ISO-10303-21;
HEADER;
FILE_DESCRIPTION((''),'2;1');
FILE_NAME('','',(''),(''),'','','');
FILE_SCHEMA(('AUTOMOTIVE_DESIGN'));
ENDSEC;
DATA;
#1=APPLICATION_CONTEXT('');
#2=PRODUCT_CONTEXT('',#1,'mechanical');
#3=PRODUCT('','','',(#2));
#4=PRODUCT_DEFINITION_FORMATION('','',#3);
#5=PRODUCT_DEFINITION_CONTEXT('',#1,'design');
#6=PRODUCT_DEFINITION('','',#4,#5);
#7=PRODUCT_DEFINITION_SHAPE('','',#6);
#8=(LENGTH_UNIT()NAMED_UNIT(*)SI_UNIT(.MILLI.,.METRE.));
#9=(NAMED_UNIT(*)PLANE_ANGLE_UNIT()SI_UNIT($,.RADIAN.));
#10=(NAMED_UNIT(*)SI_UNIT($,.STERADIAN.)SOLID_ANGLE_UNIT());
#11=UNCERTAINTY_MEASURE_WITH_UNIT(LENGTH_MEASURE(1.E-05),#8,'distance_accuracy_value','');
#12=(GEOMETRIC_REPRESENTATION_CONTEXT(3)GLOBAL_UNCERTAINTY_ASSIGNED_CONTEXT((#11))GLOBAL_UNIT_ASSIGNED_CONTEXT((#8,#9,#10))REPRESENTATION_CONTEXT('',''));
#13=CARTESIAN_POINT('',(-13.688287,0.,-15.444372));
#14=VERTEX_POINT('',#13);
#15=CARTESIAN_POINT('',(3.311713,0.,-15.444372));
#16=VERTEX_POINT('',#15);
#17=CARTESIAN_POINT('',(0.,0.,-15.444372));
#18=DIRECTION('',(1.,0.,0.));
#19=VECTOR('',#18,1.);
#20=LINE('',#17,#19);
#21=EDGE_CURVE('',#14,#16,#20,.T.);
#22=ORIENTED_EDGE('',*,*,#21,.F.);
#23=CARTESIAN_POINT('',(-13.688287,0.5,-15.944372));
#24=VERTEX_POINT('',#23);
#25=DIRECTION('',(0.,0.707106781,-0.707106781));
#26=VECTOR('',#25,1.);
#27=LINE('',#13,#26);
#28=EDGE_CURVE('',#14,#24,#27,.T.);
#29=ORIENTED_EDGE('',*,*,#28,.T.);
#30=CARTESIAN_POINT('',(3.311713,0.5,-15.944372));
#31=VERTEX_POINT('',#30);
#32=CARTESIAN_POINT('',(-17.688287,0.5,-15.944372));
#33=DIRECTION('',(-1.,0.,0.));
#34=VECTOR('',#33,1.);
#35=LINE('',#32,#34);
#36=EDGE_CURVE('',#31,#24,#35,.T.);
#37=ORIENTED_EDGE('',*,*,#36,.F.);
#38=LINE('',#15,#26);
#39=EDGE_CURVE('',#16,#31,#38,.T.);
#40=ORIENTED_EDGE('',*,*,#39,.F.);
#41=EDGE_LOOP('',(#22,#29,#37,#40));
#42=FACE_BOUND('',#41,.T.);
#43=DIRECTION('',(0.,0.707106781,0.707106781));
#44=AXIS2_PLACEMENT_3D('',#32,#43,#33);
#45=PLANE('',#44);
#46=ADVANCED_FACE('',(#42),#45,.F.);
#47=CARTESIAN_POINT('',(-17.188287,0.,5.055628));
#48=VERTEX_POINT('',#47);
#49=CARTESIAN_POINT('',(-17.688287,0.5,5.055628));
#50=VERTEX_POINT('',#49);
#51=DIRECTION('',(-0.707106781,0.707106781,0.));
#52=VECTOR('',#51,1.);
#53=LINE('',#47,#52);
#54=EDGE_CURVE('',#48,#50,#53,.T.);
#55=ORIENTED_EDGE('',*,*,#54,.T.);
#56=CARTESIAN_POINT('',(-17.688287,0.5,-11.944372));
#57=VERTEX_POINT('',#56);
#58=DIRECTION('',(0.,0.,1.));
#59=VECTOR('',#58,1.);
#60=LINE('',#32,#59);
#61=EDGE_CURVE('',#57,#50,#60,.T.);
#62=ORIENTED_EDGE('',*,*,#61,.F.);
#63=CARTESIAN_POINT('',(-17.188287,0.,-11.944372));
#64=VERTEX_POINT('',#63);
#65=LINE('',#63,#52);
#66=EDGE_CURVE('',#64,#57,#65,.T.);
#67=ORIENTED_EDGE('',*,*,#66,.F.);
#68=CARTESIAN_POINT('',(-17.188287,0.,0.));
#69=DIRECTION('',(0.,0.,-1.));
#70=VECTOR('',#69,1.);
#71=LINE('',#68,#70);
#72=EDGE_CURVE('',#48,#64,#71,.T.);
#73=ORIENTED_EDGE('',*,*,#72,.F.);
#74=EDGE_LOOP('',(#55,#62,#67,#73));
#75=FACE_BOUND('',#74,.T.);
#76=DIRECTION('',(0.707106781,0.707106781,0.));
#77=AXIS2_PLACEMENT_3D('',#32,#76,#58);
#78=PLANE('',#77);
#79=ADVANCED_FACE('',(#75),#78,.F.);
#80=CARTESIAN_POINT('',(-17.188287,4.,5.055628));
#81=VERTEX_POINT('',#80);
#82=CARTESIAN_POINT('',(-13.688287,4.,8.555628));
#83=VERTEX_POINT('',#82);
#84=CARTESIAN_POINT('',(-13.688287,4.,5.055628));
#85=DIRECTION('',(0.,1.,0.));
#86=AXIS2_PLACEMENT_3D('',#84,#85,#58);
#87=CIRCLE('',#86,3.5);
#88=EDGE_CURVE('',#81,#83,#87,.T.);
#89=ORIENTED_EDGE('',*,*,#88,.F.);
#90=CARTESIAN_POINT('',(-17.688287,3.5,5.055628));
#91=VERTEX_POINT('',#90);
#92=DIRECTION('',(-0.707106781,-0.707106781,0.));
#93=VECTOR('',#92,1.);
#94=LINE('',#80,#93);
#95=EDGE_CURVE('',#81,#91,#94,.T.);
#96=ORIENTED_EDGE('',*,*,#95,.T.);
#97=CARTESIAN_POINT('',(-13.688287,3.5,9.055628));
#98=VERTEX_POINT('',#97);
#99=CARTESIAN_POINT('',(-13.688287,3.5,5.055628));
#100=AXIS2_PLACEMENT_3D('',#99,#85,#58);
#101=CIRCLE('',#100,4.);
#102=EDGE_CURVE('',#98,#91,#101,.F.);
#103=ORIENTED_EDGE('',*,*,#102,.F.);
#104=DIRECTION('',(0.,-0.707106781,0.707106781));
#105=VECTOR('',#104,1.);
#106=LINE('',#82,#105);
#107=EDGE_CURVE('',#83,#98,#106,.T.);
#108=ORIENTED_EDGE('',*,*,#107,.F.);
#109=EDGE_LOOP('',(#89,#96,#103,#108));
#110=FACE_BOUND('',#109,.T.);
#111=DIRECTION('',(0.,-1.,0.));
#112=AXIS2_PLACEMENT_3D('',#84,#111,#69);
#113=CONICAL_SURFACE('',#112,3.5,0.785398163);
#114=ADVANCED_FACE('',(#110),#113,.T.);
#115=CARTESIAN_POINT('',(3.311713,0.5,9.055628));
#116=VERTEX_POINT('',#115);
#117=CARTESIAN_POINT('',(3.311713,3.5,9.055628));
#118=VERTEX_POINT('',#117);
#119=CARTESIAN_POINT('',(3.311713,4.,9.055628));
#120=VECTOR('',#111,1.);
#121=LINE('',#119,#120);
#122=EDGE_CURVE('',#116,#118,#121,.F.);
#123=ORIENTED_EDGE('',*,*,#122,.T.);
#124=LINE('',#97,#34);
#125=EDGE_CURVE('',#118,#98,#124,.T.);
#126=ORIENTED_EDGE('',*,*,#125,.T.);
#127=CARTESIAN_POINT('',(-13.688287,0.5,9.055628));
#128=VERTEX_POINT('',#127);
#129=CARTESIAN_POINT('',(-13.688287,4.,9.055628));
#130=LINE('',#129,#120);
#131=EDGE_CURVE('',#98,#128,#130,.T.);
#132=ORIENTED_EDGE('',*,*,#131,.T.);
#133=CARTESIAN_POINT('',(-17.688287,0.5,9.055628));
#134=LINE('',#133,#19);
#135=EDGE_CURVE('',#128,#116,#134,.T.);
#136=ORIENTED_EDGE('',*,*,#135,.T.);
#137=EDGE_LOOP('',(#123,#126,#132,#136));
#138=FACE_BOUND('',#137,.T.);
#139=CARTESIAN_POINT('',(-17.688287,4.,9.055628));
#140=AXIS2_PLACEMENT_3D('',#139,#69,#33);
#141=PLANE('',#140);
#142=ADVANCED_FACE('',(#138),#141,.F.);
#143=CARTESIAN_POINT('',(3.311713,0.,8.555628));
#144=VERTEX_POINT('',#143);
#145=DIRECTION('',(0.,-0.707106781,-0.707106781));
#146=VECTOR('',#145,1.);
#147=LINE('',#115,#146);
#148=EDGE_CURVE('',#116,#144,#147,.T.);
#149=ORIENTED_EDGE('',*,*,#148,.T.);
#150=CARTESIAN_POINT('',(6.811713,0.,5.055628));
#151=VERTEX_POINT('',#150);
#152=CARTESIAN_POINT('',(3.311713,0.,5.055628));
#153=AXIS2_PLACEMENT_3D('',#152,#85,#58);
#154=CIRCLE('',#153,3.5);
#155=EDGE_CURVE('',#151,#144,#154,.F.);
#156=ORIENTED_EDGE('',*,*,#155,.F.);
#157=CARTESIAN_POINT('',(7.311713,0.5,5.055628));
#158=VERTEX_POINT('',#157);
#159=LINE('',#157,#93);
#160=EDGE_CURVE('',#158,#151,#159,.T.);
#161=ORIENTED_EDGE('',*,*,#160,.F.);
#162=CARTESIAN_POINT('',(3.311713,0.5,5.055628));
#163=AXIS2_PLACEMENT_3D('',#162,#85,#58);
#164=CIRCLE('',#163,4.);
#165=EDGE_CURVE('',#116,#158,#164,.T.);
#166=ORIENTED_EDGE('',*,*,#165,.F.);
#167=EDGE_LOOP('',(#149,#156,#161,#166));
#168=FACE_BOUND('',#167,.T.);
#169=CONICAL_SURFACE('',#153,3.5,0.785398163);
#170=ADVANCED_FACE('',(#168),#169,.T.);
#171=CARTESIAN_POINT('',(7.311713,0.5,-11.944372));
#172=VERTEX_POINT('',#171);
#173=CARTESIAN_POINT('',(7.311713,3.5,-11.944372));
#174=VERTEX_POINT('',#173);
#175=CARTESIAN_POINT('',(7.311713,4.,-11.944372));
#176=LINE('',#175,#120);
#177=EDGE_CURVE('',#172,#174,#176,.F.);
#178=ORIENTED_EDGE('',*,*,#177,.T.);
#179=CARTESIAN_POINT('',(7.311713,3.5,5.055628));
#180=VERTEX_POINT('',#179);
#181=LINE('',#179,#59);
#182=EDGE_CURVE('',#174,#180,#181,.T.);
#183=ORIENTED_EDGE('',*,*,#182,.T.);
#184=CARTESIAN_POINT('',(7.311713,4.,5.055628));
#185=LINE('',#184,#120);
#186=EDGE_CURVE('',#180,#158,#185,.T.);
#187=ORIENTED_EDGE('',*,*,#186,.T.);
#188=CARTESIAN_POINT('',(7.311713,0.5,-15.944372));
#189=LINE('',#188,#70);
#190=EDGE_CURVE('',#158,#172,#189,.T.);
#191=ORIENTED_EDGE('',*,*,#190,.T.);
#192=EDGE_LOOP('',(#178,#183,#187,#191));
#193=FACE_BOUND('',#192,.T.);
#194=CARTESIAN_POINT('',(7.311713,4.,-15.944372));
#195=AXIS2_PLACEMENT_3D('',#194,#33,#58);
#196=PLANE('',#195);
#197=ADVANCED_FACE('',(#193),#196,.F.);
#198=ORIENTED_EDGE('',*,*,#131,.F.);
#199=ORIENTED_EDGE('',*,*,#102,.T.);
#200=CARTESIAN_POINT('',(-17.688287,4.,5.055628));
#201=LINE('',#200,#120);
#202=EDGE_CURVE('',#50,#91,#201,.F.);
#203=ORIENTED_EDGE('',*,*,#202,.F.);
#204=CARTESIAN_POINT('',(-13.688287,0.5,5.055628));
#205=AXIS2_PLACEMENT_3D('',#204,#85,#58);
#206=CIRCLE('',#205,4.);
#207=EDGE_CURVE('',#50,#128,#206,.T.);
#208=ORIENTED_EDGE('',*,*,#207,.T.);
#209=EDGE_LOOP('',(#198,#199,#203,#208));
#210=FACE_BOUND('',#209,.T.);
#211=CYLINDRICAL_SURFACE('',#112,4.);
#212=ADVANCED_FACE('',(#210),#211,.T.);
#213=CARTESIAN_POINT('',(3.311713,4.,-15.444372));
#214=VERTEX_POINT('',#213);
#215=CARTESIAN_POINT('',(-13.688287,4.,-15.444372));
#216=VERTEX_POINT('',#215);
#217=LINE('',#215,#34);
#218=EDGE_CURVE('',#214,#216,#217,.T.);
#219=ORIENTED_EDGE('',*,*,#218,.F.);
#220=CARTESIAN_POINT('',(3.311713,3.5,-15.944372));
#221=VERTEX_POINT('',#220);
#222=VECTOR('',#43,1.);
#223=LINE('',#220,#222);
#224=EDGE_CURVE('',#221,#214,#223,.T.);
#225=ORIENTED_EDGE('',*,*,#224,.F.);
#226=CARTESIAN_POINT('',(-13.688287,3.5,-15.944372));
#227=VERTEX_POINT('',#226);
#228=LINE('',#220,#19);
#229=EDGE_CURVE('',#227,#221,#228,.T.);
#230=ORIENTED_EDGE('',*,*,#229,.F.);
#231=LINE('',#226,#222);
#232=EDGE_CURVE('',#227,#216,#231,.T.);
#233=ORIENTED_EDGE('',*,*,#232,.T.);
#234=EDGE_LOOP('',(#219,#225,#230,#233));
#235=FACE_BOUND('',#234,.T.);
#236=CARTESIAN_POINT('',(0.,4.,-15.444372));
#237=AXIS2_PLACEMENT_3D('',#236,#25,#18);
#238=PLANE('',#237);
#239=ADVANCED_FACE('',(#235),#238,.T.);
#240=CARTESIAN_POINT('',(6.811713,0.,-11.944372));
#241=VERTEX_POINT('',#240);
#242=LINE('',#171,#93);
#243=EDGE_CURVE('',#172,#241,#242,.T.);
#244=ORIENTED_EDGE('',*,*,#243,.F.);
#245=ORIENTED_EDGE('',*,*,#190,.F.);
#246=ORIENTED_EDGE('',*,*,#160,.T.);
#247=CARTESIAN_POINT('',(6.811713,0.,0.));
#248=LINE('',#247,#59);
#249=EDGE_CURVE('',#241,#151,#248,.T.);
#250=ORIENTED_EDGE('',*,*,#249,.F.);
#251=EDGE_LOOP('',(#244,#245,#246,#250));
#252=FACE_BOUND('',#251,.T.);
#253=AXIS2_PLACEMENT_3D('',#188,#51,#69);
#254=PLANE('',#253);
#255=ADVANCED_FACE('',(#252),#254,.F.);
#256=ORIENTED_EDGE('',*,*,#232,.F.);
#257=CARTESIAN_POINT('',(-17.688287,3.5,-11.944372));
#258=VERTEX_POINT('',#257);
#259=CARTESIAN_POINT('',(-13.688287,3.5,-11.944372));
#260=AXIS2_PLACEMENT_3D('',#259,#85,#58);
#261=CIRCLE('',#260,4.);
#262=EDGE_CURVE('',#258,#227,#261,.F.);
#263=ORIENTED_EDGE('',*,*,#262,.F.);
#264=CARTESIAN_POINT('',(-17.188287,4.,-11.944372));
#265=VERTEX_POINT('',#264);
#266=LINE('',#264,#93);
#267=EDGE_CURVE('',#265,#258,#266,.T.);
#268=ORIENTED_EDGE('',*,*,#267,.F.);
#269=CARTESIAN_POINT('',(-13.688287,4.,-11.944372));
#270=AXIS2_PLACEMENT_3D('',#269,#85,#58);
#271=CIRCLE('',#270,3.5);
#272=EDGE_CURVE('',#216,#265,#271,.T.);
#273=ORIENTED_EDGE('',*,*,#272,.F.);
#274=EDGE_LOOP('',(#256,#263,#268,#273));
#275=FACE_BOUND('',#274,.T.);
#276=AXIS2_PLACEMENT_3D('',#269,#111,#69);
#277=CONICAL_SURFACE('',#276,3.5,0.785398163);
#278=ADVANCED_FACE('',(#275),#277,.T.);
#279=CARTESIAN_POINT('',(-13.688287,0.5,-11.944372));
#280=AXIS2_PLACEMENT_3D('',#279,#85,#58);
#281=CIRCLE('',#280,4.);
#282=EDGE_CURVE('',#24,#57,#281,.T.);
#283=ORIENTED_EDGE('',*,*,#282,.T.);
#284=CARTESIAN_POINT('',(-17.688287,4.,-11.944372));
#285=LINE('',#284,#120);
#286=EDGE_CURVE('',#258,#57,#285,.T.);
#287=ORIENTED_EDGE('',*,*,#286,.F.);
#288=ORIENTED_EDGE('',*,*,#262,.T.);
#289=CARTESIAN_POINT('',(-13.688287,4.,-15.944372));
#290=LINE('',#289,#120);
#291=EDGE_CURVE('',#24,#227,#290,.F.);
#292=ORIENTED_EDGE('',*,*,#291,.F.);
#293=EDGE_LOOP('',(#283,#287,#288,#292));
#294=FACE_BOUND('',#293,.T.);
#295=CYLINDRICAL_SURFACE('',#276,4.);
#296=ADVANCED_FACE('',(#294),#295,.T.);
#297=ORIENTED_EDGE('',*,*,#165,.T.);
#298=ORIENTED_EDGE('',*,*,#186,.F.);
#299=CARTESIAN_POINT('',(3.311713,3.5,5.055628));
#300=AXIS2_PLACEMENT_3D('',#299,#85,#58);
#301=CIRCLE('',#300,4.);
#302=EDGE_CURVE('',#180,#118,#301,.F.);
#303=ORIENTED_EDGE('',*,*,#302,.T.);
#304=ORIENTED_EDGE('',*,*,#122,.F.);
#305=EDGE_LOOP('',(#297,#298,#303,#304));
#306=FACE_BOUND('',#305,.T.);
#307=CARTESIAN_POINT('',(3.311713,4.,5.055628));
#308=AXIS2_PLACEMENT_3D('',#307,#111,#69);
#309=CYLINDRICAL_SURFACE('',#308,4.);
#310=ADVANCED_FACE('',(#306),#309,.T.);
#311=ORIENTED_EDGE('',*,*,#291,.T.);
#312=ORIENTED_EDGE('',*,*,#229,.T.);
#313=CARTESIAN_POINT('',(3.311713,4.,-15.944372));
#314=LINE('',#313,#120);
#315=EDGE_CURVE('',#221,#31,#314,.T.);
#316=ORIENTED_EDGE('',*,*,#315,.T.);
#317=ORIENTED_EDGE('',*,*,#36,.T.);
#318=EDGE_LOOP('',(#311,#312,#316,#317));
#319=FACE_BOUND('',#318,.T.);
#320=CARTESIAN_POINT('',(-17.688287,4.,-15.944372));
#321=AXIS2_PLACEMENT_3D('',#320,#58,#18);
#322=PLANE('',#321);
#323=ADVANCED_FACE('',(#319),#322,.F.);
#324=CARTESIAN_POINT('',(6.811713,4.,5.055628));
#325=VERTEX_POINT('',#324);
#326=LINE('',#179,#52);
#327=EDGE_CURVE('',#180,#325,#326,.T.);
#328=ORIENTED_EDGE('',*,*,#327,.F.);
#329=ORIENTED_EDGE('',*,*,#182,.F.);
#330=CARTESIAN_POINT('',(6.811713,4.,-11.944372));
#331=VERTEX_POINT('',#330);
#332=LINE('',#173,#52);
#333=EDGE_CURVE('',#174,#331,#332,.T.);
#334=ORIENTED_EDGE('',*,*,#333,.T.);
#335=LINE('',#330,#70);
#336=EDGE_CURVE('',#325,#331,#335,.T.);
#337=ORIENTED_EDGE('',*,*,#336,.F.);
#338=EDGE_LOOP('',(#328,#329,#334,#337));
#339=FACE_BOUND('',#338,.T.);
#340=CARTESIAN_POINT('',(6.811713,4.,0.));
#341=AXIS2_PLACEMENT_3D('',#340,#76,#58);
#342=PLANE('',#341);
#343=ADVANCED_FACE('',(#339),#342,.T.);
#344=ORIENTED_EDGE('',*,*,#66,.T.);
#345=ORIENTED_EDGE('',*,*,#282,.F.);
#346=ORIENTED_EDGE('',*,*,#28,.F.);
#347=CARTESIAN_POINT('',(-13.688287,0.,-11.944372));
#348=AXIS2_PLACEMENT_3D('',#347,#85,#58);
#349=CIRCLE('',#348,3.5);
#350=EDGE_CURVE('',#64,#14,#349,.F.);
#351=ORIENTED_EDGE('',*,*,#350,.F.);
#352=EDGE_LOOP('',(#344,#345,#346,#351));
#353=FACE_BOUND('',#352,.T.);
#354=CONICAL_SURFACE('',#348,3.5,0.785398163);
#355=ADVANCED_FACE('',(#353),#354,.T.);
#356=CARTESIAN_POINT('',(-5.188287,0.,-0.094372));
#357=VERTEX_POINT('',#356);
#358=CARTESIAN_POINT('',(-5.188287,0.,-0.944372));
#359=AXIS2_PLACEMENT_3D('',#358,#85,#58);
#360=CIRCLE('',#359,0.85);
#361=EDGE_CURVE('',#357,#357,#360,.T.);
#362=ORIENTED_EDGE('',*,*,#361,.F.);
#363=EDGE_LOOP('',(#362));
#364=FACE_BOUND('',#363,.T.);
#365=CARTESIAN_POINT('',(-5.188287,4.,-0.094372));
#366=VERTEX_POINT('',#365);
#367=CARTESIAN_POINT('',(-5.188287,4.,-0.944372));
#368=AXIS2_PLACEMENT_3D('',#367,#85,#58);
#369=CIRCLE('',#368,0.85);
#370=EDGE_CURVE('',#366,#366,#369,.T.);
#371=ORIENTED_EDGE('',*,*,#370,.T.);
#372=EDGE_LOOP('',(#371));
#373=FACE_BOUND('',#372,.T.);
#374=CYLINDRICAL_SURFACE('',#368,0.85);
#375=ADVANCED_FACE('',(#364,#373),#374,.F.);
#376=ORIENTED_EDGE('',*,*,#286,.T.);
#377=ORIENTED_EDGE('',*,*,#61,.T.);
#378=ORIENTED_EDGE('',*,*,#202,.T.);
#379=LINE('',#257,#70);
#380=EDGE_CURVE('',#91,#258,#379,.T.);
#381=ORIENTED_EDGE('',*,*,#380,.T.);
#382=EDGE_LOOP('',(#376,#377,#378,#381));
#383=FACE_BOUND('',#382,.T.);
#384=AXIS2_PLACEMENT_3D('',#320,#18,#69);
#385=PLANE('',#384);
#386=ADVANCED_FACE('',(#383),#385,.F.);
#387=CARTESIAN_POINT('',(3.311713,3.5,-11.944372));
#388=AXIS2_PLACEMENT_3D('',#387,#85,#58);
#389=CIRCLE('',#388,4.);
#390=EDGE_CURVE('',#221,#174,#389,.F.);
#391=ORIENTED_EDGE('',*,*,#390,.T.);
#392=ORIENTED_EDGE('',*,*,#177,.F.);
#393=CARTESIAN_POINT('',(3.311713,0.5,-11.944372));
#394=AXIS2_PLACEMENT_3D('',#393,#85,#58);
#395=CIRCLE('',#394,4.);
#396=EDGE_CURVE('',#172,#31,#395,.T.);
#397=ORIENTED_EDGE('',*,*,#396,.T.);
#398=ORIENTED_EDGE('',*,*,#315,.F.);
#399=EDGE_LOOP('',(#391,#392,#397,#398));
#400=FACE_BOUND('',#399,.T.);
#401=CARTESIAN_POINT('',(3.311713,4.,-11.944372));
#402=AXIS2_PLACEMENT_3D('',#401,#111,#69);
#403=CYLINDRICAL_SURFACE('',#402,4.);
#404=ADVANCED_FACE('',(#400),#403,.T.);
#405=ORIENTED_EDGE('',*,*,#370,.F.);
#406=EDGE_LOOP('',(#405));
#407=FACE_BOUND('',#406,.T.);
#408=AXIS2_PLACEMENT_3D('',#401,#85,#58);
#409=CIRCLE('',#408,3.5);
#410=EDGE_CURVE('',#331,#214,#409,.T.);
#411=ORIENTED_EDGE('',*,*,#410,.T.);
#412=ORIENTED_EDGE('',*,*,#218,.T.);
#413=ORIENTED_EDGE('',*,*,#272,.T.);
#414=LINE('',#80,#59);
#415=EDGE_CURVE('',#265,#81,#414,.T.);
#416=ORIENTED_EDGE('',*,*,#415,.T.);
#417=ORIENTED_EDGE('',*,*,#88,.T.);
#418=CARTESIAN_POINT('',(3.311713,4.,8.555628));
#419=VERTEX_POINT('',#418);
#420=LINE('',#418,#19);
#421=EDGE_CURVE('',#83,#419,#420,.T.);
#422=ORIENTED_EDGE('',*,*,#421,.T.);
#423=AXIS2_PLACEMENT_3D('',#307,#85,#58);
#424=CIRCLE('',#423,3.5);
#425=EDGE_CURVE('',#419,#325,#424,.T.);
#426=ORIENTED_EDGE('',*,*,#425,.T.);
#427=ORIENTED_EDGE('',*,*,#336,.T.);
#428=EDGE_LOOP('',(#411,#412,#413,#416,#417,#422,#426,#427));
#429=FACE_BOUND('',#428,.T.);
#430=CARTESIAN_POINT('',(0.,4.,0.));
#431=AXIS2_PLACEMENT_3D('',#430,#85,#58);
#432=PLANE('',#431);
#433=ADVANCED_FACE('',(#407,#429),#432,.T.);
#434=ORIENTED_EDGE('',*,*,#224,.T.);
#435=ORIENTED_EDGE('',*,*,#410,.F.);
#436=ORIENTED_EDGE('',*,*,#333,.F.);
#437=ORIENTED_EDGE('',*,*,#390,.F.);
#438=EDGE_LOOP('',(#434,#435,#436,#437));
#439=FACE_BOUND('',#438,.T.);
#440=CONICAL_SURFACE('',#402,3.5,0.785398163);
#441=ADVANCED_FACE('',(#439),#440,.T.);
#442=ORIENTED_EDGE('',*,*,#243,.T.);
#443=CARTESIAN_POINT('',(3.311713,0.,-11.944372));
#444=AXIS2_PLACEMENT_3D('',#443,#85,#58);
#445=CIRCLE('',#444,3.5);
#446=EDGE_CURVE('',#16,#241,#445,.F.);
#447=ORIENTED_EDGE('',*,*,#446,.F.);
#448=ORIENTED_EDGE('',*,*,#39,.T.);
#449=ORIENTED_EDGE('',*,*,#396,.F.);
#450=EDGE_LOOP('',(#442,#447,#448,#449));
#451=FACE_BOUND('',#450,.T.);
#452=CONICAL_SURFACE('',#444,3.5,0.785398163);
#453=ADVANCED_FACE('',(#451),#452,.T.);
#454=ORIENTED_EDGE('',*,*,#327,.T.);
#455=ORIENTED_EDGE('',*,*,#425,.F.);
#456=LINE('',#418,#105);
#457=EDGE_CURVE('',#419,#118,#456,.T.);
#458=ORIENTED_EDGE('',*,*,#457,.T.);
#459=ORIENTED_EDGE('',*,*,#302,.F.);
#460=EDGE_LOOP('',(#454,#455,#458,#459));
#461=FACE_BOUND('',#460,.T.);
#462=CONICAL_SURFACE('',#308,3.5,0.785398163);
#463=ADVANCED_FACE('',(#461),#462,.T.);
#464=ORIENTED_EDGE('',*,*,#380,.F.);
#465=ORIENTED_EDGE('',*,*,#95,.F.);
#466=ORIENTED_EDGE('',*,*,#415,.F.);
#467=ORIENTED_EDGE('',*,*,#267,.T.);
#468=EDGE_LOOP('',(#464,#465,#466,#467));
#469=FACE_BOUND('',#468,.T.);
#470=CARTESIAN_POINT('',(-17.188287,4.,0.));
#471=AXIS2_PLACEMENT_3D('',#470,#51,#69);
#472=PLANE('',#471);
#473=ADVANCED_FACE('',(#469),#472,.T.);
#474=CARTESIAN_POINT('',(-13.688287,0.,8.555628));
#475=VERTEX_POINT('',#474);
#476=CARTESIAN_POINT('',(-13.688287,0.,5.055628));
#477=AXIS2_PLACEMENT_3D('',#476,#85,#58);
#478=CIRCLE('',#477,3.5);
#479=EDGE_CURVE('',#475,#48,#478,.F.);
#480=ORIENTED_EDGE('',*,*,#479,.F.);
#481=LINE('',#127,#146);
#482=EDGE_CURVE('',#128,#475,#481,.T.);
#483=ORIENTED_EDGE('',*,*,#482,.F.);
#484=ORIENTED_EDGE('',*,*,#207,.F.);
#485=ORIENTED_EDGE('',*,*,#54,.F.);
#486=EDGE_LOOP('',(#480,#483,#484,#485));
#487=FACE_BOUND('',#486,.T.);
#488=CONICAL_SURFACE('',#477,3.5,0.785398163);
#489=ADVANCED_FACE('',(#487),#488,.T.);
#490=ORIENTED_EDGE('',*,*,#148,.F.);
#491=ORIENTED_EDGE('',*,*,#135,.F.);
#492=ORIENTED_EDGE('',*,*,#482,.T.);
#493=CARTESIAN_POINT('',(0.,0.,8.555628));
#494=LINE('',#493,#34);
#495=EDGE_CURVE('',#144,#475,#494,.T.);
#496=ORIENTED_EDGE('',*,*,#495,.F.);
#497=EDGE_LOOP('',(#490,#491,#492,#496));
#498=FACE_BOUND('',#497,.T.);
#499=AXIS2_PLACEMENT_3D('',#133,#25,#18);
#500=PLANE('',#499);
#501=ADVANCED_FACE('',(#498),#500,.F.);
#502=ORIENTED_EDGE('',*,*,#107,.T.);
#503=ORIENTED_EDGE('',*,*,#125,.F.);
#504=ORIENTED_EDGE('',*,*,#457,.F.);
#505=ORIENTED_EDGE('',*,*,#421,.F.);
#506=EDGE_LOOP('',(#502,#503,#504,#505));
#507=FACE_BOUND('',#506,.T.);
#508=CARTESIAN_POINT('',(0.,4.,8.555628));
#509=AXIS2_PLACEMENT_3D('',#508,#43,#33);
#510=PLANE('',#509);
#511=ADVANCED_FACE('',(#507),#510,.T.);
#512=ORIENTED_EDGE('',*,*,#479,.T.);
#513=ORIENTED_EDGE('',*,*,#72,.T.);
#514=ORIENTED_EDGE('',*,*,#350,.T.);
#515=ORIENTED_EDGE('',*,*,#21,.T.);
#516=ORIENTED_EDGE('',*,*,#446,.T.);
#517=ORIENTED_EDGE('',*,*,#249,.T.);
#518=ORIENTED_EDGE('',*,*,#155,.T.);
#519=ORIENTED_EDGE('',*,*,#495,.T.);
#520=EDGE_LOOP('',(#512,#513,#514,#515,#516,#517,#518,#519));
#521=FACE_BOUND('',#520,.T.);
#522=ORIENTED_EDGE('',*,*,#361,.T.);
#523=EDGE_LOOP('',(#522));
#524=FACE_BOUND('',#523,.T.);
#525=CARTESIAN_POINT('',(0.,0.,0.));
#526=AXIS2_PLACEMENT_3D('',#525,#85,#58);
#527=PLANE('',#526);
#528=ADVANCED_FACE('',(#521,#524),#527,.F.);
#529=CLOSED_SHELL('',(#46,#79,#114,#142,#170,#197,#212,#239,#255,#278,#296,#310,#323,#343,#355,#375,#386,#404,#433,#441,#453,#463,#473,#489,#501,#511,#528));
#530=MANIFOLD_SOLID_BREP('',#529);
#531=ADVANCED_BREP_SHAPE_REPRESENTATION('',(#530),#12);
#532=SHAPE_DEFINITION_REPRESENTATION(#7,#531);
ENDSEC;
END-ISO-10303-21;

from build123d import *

# Parameters (mm, degrees)
SKETCH1_W                      = 25
SKETCH1_H                      = 25
BOSS_EXTRUDE1_DEPTH            = 4
FILLET1_R                      = 4
F_1_7_1_7_DIAMETER_HOLE1_D     = 1.7
F_1_7_1_7_DIAMETER_HOLE1_DEPTH = 8.5
CHAMFER1_SIZE                  = 0.5


with BuildPart() as part:
    # Sketch1 → Boss-Extrude1 (new body)
    with BuildSketch(Plane(origin=(0, 0, 0), x_dir=(1, 0, 0), z_dir=(0, 1, 0))):
        with Locations((-5.188287333, 3.444371681)):
            Rectangle(SKETCH1_W, SKETCH1_H)
    extrude(amount=BOSS_EXTRUDE1_DEPTH)

    # Fillet1
    fillet1_edges = [part.edges().sort_by_distance(p)[0] for p in [
        (-17.688287333, 2, -15.944371681),
        (7.311712667, 2, -15.944371681),
        (7.311712667, 2, 9.055628319),
        (-17.688287333, 2, 9.055628319),
    ]]
    fillet(fillet1_edges, radius=FILLET1_R)

    # Ø1.7 (1.7) Diameter Hole1
    with Locations(Plane(origin=(-5.188287333, 4, -0.944371681), x_dir=(0, 0, 1), z_dir=(0, 1, 0))):
        with Locations((0, 0)):
            Hole(F_1_7_1_7_DIAMETER_HOLE1_D / 2, depth=F_1_7_1_7_DIAMETER_HOLE1_DEPTH)

    # Chamfer1
    chamfer1_edges = [part.edges().sort_by_distance(p)[0] for p in [
        (-17.688287333, 0, -3.444371681),
        (-17.688287333, 4, -3.444371681),
        (-5.188287333, 0, -15.944371681),
        (7.311712667, 0, -3.444371681),
        (-5.188287333, 0, 9.055628319),
        (-16.516714458, 0, 7.884055444),
        (6.140139792, 0, 7.884055444),
        (6.140139792, 0, -14.772798805),
        (-16.516714458, 0, -14.772798805),
        (-5.188287333, 4, -15.944371681),
        (-5.188287333, 4, 9.055628319),
        (7.311712667, 4, -3.444371681),
        (-16.516714458, 4, 7.884055444),
        (6.140139792, 4, 7.884055444),
        (6.140139792, 4, -14.772798805),
        (-16.516714458, 4, -14.772798805),
    ]]
    chamfer(chamfer1_edges, length=CHAMFER1_SIZE)


solid = part.part
